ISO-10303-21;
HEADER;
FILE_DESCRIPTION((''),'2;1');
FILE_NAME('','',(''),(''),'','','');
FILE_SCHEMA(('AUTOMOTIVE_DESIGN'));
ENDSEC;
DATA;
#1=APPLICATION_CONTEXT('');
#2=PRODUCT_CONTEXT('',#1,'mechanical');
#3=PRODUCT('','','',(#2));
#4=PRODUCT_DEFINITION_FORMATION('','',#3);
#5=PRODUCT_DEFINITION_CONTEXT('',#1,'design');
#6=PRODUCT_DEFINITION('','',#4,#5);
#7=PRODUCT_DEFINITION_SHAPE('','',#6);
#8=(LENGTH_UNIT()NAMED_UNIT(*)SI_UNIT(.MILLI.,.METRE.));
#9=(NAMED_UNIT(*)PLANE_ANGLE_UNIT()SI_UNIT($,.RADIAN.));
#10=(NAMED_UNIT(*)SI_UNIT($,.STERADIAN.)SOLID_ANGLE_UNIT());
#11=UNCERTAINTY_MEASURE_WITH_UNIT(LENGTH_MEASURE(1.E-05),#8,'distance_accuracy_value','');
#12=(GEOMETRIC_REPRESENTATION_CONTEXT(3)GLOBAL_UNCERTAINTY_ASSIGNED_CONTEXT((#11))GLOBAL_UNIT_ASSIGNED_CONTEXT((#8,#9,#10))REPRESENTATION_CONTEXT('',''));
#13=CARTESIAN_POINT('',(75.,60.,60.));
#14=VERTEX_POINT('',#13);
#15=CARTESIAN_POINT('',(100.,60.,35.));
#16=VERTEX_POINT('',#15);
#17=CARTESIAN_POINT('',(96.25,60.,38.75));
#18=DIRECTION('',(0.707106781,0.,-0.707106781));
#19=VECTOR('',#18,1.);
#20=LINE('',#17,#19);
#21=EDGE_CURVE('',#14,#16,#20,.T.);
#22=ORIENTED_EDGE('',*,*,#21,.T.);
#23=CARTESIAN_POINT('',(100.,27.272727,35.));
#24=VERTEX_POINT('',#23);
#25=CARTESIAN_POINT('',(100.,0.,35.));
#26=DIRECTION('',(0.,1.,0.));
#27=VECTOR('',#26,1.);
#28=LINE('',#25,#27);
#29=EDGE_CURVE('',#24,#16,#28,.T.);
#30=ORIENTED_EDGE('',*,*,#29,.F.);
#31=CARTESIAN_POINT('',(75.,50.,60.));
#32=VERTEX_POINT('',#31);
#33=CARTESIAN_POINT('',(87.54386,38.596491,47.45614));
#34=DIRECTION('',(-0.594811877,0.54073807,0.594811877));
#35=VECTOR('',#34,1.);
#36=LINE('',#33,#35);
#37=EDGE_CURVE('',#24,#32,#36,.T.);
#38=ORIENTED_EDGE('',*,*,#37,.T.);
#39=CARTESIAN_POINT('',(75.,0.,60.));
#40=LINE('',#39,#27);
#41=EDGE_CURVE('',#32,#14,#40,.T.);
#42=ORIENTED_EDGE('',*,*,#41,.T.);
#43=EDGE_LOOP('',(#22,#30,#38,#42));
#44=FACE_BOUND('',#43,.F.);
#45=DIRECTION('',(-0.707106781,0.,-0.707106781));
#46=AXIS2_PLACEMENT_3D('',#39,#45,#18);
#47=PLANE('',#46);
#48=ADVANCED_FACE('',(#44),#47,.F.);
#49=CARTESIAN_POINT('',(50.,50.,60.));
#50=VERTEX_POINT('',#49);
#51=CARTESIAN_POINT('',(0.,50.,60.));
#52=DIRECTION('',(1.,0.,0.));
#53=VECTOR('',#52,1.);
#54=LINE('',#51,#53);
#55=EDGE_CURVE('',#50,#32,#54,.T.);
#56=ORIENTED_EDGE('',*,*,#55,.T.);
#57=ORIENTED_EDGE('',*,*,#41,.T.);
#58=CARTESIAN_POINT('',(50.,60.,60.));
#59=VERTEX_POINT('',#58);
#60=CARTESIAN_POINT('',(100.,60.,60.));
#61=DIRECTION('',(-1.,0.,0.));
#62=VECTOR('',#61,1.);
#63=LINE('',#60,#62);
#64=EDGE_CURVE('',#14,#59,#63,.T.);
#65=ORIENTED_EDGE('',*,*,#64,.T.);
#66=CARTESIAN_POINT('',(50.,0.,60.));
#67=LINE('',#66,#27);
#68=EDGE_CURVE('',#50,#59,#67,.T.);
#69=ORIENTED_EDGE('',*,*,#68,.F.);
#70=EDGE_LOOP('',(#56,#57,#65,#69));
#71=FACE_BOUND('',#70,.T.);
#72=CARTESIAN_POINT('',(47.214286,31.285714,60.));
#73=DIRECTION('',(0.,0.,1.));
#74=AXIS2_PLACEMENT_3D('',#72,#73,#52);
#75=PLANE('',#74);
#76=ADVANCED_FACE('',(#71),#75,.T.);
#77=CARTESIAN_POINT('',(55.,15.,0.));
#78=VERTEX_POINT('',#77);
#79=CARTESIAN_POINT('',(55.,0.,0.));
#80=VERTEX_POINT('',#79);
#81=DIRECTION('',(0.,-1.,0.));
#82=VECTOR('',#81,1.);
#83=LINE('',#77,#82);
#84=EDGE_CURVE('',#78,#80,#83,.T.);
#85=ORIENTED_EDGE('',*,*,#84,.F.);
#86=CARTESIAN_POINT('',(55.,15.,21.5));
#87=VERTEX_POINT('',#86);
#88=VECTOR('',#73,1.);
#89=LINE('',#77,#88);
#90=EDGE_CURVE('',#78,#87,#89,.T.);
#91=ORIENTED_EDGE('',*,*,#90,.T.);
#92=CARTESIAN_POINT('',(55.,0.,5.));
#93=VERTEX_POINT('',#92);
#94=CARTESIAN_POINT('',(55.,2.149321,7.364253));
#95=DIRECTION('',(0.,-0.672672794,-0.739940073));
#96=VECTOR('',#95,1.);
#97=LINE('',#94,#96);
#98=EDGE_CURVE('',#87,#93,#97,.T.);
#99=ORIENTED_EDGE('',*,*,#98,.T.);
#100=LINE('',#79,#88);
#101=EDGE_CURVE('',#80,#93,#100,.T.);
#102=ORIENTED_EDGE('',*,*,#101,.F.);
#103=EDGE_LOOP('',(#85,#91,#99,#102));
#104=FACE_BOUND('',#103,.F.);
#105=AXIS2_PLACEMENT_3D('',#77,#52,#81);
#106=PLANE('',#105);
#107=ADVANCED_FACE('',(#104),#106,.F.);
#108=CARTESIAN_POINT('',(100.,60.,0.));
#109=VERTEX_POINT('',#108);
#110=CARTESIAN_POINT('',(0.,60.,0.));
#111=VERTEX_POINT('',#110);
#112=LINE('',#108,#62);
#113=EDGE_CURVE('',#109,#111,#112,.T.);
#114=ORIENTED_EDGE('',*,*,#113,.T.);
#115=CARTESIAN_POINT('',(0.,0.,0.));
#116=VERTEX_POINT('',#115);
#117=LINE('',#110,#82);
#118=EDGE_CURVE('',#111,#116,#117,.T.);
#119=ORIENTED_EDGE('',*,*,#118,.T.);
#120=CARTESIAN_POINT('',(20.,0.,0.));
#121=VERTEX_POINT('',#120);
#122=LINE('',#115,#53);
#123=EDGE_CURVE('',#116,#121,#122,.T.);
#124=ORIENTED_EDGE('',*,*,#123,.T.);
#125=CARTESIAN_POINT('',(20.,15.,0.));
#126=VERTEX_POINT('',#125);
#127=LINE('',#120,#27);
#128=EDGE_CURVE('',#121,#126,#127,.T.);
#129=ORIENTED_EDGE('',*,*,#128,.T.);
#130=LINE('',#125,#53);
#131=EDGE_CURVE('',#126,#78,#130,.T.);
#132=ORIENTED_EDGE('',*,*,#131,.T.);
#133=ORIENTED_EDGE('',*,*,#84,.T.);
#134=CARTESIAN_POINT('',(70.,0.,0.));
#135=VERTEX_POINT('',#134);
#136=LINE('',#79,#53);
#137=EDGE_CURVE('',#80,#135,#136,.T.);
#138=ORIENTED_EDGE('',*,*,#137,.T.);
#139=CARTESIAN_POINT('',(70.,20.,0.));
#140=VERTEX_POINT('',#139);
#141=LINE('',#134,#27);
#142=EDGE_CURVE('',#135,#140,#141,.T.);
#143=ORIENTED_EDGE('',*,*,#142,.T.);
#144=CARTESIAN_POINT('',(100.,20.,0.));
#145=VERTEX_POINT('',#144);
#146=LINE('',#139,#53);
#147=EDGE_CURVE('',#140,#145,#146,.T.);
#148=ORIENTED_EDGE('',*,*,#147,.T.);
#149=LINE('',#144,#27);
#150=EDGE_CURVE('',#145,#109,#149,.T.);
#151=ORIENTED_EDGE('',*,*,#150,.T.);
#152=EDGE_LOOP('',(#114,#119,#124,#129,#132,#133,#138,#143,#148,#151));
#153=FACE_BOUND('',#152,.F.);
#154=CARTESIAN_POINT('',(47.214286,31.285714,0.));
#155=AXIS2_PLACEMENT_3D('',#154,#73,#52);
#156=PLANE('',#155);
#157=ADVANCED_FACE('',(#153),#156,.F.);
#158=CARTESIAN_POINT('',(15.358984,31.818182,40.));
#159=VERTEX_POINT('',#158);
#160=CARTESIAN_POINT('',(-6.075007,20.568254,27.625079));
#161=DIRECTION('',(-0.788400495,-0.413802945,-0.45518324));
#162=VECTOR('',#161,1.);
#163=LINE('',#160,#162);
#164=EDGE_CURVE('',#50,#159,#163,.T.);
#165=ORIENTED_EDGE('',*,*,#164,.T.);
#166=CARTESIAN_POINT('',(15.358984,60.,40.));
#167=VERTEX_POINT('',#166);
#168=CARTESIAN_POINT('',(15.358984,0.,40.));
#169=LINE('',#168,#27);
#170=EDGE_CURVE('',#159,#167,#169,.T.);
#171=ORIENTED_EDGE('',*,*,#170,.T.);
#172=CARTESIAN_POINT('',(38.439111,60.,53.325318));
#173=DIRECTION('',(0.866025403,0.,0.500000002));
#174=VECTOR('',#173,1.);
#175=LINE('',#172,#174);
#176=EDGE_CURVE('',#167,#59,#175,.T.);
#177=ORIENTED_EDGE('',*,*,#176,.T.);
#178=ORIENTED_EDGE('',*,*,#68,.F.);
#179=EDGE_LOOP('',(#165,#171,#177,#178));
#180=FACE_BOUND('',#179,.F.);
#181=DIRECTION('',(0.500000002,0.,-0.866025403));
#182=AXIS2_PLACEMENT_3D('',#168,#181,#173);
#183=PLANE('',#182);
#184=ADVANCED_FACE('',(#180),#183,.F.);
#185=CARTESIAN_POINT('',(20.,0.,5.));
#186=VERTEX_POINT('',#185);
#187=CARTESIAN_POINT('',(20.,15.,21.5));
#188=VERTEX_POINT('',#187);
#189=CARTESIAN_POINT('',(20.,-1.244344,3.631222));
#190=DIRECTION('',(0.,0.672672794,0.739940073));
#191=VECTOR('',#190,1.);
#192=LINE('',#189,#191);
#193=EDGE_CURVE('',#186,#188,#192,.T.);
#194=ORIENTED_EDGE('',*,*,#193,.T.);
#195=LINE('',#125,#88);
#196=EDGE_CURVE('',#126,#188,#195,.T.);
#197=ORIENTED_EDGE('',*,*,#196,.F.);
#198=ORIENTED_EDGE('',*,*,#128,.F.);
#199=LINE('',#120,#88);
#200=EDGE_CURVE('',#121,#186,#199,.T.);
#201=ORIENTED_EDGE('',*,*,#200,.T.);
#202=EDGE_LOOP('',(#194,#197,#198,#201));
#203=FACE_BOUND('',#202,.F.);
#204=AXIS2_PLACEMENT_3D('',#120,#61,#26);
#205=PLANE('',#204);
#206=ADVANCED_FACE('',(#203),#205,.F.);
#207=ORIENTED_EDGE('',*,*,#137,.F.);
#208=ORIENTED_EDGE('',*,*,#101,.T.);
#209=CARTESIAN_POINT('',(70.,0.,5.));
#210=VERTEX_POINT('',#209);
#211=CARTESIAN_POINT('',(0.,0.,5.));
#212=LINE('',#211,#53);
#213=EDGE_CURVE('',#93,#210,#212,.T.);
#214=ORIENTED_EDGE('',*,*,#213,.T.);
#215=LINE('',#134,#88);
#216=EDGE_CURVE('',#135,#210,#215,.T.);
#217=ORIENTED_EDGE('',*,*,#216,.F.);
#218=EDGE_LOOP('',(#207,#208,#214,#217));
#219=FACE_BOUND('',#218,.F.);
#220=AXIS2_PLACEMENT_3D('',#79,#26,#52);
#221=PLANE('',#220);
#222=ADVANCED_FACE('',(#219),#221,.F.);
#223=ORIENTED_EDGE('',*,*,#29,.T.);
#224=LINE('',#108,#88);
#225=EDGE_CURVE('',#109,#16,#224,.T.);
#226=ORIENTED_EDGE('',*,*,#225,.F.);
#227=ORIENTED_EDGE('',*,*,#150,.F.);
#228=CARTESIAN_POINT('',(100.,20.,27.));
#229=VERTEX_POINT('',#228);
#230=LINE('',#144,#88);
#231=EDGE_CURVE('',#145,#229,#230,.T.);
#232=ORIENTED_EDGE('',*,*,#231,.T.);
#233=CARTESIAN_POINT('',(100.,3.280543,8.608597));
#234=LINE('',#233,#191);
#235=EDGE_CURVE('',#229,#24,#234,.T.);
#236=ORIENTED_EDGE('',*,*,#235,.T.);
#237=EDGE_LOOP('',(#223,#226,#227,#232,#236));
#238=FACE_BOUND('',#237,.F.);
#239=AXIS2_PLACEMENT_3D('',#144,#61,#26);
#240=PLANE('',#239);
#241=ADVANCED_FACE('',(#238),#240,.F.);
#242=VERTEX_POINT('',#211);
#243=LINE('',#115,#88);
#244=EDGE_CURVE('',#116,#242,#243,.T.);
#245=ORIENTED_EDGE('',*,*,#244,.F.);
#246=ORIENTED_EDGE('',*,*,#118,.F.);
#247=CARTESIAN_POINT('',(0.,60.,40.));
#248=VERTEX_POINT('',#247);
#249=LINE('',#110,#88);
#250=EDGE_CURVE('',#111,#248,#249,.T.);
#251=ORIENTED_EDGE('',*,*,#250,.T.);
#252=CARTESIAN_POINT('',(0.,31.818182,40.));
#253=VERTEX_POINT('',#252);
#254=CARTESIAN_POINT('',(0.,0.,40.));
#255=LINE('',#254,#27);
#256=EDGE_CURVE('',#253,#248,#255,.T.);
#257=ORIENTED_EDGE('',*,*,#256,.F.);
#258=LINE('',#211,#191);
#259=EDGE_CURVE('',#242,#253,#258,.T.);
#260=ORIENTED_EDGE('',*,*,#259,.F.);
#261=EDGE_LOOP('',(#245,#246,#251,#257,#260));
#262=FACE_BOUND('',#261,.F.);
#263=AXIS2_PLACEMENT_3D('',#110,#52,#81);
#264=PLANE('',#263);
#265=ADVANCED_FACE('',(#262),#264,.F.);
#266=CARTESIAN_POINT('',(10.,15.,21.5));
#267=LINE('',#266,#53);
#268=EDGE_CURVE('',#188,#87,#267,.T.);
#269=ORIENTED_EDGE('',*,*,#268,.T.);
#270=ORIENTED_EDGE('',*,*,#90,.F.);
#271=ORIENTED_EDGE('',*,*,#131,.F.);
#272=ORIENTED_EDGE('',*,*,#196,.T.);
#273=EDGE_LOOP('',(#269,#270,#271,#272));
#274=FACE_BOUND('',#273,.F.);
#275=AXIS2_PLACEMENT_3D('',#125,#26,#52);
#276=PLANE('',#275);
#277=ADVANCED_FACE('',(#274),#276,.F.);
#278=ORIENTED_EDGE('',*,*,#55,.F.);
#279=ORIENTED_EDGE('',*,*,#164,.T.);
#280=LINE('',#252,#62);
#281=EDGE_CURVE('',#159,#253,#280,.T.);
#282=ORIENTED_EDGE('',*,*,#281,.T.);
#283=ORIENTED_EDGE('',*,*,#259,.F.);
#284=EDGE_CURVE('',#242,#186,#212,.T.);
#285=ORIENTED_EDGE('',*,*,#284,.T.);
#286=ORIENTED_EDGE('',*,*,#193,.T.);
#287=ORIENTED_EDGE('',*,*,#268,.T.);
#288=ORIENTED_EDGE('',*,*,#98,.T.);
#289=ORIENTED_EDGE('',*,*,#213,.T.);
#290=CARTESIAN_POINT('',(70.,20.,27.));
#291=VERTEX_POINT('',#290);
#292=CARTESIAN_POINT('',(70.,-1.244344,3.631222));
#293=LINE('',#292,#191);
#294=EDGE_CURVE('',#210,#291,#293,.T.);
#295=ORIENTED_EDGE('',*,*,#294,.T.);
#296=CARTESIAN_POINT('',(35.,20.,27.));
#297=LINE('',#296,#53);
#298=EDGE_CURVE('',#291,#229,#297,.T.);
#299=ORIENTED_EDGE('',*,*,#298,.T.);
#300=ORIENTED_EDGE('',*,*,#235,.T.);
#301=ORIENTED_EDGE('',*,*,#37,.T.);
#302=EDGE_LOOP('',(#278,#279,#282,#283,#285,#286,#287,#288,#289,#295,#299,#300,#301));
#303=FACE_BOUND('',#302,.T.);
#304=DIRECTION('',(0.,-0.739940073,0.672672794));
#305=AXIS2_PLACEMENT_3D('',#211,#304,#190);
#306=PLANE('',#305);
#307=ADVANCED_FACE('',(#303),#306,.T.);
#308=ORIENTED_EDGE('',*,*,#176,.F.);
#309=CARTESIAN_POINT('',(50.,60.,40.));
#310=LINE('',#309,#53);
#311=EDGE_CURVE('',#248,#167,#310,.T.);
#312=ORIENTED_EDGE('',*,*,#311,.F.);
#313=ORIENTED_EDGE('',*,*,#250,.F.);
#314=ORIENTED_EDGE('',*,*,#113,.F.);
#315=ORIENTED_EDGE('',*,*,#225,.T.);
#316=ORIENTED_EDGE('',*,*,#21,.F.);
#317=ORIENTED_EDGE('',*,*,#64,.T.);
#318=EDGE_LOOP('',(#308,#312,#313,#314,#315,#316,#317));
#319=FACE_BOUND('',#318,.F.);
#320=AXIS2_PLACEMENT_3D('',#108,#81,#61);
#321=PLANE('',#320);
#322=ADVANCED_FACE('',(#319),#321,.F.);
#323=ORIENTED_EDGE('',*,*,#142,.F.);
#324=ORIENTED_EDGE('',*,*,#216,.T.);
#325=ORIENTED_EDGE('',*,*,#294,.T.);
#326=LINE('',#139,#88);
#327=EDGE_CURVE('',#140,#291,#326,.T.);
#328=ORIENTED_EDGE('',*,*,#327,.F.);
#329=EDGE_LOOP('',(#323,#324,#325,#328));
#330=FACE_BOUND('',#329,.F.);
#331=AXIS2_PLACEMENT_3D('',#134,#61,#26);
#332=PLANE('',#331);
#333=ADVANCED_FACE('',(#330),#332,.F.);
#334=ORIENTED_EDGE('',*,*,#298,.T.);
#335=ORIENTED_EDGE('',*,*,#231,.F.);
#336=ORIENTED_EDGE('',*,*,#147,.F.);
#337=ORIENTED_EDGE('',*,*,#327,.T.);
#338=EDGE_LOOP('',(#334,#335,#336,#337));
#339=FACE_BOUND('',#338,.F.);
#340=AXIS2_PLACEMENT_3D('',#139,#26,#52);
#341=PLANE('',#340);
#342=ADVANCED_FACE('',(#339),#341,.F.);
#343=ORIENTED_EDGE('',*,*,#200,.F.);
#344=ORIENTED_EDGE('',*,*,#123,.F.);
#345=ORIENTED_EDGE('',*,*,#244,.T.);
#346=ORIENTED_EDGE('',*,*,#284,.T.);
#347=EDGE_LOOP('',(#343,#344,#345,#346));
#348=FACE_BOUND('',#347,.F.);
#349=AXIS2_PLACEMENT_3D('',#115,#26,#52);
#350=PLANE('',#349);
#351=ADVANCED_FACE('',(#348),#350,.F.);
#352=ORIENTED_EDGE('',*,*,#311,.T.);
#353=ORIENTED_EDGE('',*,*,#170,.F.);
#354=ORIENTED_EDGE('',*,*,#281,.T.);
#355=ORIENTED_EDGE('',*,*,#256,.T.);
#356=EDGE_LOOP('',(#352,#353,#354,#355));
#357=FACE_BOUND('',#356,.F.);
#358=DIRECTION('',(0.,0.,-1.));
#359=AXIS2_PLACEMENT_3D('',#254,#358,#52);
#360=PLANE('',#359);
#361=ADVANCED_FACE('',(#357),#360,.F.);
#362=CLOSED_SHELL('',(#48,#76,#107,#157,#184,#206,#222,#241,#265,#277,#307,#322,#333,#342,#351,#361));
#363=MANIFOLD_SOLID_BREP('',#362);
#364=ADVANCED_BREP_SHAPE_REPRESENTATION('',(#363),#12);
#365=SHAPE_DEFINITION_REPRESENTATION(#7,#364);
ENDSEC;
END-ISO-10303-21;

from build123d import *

# Parameters (mm, degrees)
F1_DEPTH = 60
F3_DEPTH = 60.001
F5_DEPTH = 100.001


with BuildPart() as f1:
    # F0 (on Top) → F1 (new body)
    with BuildSketch(Plane.XY):
        Polygon((0, 60), (0, 0), (20, 0), (20, 15), (55, 15), (55, 0), (70, 0), (70, 20), (100, 20), (100, 60), align=None)
    extrude(amount=F1_DEPTH)

    # F2 (on face) → F3 (cut, through all)
    with BuildSketch(Plane.XZ):
        Polygon((15.358984, 40), (50, 60), (0, 60), (0, 40), align=None)
        Polygon((100, 60), (75, 60), (100, 35), align=None)
    extrude(amount=-F3_DEPTH, mode=Mode.SUBTRACT)

    # F4 (on Right) → F5 (cut, through all)
    with BuildSketch(Plane.YZ):
        Polygon((0, 5), (50, 60), (0, 60), align=None)
    extrude(amount=F5_DEPTH, mode=Mode.SUBTRACT)


solid = f1.part
